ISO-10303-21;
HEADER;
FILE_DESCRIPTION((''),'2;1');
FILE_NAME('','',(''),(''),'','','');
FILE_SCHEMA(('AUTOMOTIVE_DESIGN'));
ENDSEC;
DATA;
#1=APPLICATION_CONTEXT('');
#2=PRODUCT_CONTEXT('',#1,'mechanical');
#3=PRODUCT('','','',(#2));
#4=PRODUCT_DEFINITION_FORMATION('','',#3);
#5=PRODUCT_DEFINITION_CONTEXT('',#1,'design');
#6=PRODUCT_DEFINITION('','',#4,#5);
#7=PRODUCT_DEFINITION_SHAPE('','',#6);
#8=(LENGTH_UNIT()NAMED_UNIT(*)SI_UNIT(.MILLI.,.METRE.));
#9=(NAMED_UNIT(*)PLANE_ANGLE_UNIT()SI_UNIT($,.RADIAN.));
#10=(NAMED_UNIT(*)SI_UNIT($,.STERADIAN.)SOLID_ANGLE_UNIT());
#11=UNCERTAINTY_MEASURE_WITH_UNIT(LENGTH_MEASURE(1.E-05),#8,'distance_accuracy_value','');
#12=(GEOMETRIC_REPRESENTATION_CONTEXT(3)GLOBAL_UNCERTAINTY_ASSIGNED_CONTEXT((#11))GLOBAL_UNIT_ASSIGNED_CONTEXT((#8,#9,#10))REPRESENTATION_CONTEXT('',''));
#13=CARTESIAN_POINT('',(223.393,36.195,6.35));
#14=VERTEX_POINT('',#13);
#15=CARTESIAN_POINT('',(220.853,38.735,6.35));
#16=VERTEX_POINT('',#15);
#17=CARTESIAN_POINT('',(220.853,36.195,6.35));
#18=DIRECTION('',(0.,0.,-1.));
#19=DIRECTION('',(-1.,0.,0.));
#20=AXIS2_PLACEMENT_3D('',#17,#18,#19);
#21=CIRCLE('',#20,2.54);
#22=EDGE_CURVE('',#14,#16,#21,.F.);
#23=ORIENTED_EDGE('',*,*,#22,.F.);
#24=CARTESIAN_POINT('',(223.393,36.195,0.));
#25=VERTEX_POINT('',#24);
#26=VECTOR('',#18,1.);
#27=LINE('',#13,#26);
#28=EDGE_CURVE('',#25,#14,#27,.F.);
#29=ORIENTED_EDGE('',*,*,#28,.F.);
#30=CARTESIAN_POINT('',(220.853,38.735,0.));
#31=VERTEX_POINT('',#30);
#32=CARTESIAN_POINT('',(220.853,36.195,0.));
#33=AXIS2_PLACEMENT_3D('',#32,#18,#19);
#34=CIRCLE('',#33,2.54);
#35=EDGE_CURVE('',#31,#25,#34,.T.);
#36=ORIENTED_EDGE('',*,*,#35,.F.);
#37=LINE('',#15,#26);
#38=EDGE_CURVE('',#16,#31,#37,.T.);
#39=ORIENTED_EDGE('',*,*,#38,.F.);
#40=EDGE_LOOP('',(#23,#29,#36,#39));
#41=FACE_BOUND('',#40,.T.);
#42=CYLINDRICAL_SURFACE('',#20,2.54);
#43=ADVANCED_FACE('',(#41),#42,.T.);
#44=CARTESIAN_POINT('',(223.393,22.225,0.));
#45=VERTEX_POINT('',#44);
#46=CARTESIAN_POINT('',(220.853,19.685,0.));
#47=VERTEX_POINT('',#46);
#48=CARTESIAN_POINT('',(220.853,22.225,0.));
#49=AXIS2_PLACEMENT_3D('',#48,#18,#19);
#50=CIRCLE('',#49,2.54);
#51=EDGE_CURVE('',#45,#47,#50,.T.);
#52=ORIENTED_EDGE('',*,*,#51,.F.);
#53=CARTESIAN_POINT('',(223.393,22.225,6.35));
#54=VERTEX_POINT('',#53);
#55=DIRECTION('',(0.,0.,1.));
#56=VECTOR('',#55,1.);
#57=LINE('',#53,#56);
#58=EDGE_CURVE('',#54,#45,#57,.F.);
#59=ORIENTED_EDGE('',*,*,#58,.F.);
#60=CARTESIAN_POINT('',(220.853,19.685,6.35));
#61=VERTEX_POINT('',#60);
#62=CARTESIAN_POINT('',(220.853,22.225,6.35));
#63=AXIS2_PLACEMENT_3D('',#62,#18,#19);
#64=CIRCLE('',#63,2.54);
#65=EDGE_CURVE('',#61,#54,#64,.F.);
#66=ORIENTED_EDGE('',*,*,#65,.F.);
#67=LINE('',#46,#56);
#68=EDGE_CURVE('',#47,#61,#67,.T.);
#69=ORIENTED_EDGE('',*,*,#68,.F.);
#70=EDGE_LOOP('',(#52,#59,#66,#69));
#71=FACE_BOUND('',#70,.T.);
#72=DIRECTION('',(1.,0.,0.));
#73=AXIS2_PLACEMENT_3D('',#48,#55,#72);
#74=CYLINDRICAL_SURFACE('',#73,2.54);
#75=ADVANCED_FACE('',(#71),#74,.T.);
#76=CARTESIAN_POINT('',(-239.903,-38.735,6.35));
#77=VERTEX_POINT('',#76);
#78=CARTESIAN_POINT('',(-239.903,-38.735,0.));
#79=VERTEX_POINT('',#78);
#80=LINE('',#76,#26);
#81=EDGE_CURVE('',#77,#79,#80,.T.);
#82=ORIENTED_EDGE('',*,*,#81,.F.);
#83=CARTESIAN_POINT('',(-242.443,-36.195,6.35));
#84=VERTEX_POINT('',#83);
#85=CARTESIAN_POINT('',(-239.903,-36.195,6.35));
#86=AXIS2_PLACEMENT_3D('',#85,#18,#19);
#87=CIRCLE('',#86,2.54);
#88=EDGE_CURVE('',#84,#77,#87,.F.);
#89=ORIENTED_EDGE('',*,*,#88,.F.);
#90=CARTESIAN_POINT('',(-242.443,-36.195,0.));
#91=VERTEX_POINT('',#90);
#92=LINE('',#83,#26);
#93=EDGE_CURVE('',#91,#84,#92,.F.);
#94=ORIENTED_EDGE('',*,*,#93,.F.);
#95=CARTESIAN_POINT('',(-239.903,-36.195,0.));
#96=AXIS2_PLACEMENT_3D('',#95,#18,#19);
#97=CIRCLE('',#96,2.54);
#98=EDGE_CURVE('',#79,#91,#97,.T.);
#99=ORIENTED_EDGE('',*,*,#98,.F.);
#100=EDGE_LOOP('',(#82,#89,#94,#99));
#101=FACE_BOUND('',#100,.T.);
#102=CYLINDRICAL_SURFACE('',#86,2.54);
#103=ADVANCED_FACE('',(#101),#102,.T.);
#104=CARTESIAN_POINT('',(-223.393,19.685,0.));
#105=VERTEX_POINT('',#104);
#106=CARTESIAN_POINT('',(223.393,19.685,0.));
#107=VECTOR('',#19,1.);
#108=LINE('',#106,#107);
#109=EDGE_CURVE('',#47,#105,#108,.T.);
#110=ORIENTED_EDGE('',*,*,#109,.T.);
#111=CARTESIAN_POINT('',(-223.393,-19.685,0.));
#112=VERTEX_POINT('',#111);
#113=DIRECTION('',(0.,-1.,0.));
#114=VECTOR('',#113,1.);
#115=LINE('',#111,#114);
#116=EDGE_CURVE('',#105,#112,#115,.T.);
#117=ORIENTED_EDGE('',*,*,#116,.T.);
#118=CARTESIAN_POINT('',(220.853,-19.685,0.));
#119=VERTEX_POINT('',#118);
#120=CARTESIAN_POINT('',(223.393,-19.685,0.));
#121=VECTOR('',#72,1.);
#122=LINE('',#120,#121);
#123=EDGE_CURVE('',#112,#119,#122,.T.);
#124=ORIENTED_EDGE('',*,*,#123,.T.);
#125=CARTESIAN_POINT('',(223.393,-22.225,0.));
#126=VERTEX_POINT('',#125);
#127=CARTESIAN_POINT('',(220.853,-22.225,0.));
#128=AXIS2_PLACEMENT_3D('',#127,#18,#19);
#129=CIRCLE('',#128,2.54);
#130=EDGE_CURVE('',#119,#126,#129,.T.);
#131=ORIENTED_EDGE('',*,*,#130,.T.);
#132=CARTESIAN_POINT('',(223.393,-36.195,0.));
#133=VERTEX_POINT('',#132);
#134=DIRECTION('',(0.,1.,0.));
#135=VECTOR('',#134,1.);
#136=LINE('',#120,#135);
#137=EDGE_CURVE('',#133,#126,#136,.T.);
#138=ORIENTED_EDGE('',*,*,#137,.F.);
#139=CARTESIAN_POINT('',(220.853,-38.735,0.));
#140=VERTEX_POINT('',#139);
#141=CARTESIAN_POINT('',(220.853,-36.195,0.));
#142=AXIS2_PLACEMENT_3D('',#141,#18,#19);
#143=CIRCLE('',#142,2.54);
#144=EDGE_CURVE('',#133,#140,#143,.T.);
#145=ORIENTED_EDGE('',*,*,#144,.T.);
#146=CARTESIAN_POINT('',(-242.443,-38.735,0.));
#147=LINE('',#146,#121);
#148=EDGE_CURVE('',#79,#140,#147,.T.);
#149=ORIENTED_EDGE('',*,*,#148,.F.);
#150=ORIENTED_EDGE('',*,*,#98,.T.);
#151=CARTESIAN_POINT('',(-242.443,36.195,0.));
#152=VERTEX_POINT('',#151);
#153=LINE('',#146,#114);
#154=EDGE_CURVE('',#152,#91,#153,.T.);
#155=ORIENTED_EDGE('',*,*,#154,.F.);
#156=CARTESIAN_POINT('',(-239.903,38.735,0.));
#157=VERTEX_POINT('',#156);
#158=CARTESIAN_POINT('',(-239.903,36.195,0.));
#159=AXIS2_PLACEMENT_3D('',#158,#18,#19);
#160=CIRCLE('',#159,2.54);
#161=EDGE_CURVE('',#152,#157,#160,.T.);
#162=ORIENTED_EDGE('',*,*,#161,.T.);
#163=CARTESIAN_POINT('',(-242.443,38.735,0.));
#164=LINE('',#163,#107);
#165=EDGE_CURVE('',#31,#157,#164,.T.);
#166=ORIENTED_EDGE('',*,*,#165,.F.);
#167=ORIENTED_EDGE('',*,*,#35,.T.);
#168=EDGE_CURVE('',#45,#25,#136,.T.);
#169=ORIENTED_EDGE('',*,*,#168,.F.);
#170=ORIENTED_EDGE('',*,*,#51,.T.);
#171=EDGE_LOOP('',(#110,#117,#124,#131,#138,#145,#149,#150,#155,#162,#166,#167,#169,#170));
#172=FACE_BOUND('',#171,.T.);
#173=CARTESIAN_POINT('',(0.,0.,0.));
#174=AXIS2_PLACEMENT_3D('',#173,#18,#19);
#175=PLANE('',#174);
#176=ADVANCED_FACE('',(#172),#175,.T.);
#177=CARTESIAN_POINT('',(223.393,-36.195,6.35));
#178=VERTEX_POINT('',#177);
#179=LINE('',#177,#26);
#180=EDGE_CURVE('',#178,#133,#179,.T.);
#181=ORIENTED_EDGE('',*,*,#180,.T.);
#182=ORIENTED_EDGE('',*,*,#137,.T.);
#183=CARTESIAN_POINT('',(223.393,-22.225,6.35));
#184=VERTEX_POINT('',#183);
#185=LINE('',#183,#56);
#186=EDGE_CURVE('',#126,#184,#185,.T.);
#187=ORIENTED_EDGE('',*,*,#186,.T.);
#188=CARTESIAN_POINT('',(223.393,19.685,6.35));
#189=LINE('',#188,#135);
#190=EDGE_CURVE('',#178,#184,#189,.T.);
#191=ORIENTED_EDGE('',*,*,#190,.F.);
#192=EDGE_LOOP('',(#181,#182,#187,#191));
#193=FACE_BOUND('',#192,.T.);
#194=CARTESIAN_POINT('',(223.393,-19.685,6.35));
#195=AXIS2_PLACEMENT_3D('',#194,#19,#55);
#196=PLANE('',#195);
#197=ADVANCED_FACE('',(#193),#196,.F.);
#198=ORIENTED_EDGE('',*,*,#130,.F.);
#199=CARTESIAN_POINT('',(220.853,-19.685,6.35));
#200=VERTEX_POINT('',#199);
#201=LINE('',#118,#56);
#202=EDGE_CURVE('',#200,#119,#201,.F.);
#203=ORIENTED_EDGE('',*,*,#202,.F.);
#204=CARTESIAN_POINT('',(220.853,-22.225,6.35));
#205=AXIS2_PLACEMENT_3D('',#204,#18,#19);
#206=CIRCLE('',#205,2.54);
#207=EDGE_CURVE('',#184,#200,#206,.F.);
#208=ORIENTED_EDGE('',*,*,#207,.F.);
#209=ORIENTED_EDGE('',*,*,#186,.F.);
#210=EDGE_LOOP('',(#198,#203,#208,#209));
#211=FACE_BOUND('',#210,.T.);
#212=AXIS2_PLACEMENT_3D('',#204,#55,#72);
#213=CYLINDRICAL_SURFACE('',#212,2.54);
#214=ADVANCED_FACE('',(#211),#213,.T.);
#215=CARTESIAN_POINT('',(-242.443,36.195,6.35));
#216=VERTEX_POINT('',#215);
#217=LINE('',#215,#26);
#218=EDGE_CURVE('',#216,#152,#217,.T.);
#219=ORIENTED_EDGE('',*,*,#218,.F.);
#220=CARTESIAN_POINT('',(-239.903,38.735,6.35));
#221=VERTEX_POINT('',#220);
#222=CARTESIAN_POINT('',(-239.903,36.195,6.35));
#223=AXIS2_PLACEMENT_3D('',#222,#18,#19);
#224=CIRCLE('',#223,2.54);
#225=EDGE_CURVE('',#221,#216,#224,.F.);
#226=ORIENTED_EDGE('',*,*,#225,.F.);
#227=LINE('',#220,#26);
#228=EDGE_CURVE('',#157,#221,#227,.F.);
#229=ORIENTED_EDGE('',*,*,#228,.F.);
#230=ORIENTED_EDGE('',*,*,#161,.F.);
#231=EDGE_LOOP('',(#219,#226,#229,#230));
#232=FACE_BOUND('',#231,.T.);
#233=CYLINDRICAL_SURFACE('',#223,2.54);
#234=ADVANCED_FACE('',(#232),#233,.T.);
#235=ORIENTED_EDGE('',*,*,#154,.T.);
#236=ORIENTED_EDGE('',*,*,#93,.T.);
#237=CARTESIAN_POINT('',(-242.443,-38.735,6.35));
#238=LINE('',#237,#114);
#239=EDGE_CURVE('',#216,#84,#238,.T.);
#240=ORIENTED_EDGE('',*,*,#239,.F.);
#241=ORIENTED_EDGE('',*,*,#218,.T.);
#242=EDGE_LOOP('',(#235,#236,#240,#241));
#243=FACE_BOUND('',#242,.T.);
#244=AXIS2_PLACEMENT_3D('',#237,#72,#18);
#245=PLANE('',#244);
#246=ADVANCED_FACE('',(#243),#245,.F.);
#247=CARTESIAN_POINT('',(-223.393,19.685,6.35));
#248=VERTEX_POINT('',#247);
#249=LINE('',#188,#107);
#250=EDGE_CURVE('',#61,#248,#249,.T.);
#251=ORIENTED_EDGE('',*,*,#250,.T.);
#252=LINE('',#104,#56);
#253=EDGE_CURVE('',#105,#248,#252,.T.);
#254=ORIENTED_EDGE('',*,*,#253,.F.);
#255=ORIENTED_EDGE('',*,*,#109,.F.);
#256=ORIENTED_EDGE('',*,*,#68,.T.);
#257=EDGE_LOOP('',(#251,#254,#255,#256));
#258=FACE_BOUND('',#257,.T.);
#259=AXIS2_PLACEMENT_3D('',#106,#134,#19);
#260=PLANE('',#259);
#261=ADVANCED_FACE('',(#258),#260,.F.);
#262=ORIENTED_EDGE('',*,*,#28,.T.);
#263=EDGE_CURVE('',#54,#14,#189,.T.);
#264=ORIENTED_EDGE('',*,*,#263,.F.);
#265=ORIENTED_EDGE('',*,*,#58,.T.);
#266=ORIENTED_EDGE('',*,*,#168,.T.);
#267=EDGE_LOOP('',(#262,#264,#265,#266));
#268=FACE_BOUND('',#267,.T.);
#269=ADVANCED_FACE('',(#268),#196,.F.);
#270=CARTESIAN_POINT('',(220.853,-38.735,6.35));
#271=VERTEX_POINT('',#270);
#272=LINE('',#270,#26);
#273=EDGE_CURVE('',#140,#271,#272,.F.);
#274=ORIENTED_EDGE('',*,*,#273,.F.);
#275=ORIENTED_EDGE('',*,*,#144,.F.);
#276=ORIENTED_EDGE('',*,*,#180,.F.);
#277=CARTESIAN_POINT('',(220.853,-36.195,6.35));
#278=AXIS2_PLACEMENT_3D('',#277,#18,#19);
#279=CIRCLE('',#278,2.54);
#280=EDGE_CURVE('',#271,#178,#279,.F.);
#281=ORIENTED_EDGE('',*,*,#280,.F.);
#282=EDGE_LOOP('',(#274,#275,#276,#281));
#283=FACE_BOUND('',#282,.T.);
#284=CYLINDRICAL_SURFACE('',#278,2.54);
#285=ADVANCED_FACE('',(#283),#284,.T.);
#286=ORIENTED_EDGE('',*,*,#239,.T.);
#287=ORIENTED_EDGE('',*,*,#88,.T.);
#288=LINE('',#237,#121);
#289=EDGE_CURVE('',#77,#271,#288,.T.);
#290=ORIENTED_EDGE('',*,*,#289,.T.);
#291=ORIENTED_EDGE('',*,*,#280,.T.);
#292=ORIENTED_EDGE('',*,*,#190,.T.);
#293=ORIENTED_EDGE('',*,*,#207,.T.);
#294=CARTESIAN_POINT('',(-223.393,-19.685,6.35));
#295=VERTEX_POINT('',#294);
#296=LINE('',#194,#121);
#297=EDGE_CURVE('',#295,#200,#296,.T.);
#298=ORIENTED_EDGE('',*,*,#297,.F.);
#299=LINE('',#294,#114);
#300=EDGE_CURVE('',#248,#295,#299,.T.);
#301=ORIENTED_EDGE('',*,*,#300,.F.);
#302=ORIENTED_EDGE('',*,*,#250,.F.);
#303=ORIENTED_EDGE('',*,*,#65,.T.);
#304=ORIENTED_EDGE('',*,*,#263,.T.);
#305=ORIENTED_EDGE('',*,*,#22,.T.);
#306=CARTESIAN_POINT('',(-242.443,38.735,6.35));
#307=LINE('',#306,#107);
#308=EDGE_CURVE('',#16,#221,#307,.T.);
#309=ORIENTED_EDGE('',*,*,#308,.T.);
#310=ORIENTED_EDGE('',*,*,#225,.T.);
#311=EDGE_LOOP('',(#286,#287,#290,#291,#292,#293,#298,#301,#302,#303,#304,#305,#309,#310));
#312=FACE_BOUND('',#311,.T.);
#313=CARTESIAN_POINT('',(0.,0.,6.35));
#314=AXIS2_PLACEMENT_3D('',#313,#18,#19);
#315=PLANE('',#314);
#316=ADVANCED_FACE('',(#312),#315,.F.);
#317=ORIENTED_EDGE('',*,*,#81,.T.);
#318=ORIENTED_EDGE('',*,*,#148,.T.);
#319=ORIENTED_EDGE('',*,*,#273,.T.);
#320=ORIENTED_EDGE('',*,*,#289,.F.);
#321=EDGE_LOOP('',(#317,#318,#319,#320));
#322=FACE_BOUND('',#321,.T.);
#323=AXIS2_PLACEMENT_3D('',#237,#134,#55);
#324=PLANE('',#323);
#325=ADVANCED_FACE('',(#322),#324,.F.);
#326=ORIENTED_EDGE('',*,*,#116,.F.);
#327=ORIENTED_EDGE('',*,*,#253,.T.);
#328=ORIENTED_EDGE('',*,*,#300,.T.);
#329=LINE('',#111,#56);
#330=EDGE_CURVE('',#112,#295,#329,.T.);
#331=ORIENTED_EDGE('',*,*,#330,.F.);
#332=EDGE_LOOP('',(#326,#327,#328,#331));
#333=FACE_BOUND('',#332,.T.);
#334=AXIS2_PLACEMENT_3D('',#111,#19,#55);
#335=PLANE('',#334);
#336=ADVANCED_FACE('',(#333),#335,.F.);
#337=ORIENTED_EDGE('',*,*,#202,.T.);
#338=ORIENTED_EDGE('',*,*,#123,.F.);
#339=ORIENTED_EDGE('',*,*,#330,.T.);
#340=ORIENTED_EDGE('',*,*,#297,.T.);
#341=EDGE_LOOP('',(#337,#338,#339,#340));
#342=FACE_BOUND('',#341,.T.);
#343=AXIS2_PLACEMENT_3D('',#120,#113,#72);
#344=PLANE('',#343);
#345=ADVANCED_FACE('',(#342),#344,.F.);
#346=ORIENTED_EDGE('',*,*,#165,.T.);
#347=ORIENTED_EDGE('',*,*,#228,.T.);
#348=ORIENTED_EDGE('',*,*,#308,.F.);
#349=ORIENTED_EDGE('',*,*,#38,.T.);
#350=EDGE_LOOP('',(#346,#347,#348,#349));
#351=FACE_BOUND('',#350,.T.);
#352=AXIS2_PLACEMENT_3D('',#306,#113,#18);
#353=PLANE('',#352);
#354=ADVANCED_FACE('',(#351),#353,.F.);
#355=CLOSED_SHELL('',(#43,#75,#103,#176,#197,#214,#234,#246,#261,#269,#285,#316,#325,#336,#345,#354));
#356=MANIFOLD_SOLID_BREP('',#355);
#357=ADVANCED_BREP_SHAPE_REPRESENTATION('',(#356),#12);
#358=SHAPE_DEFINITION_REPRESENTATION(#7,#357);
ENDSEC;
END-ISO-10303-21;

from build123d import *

# Parameters (mm, degrees)
SALIENTE_EXTRUIR1_DEPTH = 6.35
CROQUIS3_W              = 446.786
CROQUIS3_H              = 39.37
CORTAR_EXTRUIR1_DEPTH   = 246.599940908
REDONDEO2_R             = 2.54


with BuildPart() as part:
    # Croquis2 → Saliente-Extruir1 (new body)
    with BuildSketch(Plane.XY):
        Polygon((-242.443, -38.735), (-242.443, 38.735), (223.393, 38.735), (223.393, 19.685), (223.393, -19.685), (223.393, -38.735), align=None)
    extrude(amount=SALIENTE_EXTRUIR1_DEPTH)

    # Croquis3 → Cortar-Extruir1 (cut, through all)
    with BuildSketch(Plane.XY.offset(6.35)):
        Rectangle(CROQUIS3_W, CROQUIS3_H)
    extrude(amount=-CORTAR_EXTRUIR1_DEPTH, mode=Mode.SUBTRACT)

    # Redondeo2
    redondeo2_edges = [part.edges().sort_by_distance(p)[0] for p in [
        (223.393, -38.735, 3.175),
        (-242.443, -38.735, 3.175),
        (-242.443, 38.735, 3.175),
        (223.393, 38.735, 3.175),
        (223.393, 19.685, 3.175),
        (223.393, -19.685, 3.175),
    ]]
    fillet(redondeo2_edges, radius=REDONDEO2_R)


solid = part.part
